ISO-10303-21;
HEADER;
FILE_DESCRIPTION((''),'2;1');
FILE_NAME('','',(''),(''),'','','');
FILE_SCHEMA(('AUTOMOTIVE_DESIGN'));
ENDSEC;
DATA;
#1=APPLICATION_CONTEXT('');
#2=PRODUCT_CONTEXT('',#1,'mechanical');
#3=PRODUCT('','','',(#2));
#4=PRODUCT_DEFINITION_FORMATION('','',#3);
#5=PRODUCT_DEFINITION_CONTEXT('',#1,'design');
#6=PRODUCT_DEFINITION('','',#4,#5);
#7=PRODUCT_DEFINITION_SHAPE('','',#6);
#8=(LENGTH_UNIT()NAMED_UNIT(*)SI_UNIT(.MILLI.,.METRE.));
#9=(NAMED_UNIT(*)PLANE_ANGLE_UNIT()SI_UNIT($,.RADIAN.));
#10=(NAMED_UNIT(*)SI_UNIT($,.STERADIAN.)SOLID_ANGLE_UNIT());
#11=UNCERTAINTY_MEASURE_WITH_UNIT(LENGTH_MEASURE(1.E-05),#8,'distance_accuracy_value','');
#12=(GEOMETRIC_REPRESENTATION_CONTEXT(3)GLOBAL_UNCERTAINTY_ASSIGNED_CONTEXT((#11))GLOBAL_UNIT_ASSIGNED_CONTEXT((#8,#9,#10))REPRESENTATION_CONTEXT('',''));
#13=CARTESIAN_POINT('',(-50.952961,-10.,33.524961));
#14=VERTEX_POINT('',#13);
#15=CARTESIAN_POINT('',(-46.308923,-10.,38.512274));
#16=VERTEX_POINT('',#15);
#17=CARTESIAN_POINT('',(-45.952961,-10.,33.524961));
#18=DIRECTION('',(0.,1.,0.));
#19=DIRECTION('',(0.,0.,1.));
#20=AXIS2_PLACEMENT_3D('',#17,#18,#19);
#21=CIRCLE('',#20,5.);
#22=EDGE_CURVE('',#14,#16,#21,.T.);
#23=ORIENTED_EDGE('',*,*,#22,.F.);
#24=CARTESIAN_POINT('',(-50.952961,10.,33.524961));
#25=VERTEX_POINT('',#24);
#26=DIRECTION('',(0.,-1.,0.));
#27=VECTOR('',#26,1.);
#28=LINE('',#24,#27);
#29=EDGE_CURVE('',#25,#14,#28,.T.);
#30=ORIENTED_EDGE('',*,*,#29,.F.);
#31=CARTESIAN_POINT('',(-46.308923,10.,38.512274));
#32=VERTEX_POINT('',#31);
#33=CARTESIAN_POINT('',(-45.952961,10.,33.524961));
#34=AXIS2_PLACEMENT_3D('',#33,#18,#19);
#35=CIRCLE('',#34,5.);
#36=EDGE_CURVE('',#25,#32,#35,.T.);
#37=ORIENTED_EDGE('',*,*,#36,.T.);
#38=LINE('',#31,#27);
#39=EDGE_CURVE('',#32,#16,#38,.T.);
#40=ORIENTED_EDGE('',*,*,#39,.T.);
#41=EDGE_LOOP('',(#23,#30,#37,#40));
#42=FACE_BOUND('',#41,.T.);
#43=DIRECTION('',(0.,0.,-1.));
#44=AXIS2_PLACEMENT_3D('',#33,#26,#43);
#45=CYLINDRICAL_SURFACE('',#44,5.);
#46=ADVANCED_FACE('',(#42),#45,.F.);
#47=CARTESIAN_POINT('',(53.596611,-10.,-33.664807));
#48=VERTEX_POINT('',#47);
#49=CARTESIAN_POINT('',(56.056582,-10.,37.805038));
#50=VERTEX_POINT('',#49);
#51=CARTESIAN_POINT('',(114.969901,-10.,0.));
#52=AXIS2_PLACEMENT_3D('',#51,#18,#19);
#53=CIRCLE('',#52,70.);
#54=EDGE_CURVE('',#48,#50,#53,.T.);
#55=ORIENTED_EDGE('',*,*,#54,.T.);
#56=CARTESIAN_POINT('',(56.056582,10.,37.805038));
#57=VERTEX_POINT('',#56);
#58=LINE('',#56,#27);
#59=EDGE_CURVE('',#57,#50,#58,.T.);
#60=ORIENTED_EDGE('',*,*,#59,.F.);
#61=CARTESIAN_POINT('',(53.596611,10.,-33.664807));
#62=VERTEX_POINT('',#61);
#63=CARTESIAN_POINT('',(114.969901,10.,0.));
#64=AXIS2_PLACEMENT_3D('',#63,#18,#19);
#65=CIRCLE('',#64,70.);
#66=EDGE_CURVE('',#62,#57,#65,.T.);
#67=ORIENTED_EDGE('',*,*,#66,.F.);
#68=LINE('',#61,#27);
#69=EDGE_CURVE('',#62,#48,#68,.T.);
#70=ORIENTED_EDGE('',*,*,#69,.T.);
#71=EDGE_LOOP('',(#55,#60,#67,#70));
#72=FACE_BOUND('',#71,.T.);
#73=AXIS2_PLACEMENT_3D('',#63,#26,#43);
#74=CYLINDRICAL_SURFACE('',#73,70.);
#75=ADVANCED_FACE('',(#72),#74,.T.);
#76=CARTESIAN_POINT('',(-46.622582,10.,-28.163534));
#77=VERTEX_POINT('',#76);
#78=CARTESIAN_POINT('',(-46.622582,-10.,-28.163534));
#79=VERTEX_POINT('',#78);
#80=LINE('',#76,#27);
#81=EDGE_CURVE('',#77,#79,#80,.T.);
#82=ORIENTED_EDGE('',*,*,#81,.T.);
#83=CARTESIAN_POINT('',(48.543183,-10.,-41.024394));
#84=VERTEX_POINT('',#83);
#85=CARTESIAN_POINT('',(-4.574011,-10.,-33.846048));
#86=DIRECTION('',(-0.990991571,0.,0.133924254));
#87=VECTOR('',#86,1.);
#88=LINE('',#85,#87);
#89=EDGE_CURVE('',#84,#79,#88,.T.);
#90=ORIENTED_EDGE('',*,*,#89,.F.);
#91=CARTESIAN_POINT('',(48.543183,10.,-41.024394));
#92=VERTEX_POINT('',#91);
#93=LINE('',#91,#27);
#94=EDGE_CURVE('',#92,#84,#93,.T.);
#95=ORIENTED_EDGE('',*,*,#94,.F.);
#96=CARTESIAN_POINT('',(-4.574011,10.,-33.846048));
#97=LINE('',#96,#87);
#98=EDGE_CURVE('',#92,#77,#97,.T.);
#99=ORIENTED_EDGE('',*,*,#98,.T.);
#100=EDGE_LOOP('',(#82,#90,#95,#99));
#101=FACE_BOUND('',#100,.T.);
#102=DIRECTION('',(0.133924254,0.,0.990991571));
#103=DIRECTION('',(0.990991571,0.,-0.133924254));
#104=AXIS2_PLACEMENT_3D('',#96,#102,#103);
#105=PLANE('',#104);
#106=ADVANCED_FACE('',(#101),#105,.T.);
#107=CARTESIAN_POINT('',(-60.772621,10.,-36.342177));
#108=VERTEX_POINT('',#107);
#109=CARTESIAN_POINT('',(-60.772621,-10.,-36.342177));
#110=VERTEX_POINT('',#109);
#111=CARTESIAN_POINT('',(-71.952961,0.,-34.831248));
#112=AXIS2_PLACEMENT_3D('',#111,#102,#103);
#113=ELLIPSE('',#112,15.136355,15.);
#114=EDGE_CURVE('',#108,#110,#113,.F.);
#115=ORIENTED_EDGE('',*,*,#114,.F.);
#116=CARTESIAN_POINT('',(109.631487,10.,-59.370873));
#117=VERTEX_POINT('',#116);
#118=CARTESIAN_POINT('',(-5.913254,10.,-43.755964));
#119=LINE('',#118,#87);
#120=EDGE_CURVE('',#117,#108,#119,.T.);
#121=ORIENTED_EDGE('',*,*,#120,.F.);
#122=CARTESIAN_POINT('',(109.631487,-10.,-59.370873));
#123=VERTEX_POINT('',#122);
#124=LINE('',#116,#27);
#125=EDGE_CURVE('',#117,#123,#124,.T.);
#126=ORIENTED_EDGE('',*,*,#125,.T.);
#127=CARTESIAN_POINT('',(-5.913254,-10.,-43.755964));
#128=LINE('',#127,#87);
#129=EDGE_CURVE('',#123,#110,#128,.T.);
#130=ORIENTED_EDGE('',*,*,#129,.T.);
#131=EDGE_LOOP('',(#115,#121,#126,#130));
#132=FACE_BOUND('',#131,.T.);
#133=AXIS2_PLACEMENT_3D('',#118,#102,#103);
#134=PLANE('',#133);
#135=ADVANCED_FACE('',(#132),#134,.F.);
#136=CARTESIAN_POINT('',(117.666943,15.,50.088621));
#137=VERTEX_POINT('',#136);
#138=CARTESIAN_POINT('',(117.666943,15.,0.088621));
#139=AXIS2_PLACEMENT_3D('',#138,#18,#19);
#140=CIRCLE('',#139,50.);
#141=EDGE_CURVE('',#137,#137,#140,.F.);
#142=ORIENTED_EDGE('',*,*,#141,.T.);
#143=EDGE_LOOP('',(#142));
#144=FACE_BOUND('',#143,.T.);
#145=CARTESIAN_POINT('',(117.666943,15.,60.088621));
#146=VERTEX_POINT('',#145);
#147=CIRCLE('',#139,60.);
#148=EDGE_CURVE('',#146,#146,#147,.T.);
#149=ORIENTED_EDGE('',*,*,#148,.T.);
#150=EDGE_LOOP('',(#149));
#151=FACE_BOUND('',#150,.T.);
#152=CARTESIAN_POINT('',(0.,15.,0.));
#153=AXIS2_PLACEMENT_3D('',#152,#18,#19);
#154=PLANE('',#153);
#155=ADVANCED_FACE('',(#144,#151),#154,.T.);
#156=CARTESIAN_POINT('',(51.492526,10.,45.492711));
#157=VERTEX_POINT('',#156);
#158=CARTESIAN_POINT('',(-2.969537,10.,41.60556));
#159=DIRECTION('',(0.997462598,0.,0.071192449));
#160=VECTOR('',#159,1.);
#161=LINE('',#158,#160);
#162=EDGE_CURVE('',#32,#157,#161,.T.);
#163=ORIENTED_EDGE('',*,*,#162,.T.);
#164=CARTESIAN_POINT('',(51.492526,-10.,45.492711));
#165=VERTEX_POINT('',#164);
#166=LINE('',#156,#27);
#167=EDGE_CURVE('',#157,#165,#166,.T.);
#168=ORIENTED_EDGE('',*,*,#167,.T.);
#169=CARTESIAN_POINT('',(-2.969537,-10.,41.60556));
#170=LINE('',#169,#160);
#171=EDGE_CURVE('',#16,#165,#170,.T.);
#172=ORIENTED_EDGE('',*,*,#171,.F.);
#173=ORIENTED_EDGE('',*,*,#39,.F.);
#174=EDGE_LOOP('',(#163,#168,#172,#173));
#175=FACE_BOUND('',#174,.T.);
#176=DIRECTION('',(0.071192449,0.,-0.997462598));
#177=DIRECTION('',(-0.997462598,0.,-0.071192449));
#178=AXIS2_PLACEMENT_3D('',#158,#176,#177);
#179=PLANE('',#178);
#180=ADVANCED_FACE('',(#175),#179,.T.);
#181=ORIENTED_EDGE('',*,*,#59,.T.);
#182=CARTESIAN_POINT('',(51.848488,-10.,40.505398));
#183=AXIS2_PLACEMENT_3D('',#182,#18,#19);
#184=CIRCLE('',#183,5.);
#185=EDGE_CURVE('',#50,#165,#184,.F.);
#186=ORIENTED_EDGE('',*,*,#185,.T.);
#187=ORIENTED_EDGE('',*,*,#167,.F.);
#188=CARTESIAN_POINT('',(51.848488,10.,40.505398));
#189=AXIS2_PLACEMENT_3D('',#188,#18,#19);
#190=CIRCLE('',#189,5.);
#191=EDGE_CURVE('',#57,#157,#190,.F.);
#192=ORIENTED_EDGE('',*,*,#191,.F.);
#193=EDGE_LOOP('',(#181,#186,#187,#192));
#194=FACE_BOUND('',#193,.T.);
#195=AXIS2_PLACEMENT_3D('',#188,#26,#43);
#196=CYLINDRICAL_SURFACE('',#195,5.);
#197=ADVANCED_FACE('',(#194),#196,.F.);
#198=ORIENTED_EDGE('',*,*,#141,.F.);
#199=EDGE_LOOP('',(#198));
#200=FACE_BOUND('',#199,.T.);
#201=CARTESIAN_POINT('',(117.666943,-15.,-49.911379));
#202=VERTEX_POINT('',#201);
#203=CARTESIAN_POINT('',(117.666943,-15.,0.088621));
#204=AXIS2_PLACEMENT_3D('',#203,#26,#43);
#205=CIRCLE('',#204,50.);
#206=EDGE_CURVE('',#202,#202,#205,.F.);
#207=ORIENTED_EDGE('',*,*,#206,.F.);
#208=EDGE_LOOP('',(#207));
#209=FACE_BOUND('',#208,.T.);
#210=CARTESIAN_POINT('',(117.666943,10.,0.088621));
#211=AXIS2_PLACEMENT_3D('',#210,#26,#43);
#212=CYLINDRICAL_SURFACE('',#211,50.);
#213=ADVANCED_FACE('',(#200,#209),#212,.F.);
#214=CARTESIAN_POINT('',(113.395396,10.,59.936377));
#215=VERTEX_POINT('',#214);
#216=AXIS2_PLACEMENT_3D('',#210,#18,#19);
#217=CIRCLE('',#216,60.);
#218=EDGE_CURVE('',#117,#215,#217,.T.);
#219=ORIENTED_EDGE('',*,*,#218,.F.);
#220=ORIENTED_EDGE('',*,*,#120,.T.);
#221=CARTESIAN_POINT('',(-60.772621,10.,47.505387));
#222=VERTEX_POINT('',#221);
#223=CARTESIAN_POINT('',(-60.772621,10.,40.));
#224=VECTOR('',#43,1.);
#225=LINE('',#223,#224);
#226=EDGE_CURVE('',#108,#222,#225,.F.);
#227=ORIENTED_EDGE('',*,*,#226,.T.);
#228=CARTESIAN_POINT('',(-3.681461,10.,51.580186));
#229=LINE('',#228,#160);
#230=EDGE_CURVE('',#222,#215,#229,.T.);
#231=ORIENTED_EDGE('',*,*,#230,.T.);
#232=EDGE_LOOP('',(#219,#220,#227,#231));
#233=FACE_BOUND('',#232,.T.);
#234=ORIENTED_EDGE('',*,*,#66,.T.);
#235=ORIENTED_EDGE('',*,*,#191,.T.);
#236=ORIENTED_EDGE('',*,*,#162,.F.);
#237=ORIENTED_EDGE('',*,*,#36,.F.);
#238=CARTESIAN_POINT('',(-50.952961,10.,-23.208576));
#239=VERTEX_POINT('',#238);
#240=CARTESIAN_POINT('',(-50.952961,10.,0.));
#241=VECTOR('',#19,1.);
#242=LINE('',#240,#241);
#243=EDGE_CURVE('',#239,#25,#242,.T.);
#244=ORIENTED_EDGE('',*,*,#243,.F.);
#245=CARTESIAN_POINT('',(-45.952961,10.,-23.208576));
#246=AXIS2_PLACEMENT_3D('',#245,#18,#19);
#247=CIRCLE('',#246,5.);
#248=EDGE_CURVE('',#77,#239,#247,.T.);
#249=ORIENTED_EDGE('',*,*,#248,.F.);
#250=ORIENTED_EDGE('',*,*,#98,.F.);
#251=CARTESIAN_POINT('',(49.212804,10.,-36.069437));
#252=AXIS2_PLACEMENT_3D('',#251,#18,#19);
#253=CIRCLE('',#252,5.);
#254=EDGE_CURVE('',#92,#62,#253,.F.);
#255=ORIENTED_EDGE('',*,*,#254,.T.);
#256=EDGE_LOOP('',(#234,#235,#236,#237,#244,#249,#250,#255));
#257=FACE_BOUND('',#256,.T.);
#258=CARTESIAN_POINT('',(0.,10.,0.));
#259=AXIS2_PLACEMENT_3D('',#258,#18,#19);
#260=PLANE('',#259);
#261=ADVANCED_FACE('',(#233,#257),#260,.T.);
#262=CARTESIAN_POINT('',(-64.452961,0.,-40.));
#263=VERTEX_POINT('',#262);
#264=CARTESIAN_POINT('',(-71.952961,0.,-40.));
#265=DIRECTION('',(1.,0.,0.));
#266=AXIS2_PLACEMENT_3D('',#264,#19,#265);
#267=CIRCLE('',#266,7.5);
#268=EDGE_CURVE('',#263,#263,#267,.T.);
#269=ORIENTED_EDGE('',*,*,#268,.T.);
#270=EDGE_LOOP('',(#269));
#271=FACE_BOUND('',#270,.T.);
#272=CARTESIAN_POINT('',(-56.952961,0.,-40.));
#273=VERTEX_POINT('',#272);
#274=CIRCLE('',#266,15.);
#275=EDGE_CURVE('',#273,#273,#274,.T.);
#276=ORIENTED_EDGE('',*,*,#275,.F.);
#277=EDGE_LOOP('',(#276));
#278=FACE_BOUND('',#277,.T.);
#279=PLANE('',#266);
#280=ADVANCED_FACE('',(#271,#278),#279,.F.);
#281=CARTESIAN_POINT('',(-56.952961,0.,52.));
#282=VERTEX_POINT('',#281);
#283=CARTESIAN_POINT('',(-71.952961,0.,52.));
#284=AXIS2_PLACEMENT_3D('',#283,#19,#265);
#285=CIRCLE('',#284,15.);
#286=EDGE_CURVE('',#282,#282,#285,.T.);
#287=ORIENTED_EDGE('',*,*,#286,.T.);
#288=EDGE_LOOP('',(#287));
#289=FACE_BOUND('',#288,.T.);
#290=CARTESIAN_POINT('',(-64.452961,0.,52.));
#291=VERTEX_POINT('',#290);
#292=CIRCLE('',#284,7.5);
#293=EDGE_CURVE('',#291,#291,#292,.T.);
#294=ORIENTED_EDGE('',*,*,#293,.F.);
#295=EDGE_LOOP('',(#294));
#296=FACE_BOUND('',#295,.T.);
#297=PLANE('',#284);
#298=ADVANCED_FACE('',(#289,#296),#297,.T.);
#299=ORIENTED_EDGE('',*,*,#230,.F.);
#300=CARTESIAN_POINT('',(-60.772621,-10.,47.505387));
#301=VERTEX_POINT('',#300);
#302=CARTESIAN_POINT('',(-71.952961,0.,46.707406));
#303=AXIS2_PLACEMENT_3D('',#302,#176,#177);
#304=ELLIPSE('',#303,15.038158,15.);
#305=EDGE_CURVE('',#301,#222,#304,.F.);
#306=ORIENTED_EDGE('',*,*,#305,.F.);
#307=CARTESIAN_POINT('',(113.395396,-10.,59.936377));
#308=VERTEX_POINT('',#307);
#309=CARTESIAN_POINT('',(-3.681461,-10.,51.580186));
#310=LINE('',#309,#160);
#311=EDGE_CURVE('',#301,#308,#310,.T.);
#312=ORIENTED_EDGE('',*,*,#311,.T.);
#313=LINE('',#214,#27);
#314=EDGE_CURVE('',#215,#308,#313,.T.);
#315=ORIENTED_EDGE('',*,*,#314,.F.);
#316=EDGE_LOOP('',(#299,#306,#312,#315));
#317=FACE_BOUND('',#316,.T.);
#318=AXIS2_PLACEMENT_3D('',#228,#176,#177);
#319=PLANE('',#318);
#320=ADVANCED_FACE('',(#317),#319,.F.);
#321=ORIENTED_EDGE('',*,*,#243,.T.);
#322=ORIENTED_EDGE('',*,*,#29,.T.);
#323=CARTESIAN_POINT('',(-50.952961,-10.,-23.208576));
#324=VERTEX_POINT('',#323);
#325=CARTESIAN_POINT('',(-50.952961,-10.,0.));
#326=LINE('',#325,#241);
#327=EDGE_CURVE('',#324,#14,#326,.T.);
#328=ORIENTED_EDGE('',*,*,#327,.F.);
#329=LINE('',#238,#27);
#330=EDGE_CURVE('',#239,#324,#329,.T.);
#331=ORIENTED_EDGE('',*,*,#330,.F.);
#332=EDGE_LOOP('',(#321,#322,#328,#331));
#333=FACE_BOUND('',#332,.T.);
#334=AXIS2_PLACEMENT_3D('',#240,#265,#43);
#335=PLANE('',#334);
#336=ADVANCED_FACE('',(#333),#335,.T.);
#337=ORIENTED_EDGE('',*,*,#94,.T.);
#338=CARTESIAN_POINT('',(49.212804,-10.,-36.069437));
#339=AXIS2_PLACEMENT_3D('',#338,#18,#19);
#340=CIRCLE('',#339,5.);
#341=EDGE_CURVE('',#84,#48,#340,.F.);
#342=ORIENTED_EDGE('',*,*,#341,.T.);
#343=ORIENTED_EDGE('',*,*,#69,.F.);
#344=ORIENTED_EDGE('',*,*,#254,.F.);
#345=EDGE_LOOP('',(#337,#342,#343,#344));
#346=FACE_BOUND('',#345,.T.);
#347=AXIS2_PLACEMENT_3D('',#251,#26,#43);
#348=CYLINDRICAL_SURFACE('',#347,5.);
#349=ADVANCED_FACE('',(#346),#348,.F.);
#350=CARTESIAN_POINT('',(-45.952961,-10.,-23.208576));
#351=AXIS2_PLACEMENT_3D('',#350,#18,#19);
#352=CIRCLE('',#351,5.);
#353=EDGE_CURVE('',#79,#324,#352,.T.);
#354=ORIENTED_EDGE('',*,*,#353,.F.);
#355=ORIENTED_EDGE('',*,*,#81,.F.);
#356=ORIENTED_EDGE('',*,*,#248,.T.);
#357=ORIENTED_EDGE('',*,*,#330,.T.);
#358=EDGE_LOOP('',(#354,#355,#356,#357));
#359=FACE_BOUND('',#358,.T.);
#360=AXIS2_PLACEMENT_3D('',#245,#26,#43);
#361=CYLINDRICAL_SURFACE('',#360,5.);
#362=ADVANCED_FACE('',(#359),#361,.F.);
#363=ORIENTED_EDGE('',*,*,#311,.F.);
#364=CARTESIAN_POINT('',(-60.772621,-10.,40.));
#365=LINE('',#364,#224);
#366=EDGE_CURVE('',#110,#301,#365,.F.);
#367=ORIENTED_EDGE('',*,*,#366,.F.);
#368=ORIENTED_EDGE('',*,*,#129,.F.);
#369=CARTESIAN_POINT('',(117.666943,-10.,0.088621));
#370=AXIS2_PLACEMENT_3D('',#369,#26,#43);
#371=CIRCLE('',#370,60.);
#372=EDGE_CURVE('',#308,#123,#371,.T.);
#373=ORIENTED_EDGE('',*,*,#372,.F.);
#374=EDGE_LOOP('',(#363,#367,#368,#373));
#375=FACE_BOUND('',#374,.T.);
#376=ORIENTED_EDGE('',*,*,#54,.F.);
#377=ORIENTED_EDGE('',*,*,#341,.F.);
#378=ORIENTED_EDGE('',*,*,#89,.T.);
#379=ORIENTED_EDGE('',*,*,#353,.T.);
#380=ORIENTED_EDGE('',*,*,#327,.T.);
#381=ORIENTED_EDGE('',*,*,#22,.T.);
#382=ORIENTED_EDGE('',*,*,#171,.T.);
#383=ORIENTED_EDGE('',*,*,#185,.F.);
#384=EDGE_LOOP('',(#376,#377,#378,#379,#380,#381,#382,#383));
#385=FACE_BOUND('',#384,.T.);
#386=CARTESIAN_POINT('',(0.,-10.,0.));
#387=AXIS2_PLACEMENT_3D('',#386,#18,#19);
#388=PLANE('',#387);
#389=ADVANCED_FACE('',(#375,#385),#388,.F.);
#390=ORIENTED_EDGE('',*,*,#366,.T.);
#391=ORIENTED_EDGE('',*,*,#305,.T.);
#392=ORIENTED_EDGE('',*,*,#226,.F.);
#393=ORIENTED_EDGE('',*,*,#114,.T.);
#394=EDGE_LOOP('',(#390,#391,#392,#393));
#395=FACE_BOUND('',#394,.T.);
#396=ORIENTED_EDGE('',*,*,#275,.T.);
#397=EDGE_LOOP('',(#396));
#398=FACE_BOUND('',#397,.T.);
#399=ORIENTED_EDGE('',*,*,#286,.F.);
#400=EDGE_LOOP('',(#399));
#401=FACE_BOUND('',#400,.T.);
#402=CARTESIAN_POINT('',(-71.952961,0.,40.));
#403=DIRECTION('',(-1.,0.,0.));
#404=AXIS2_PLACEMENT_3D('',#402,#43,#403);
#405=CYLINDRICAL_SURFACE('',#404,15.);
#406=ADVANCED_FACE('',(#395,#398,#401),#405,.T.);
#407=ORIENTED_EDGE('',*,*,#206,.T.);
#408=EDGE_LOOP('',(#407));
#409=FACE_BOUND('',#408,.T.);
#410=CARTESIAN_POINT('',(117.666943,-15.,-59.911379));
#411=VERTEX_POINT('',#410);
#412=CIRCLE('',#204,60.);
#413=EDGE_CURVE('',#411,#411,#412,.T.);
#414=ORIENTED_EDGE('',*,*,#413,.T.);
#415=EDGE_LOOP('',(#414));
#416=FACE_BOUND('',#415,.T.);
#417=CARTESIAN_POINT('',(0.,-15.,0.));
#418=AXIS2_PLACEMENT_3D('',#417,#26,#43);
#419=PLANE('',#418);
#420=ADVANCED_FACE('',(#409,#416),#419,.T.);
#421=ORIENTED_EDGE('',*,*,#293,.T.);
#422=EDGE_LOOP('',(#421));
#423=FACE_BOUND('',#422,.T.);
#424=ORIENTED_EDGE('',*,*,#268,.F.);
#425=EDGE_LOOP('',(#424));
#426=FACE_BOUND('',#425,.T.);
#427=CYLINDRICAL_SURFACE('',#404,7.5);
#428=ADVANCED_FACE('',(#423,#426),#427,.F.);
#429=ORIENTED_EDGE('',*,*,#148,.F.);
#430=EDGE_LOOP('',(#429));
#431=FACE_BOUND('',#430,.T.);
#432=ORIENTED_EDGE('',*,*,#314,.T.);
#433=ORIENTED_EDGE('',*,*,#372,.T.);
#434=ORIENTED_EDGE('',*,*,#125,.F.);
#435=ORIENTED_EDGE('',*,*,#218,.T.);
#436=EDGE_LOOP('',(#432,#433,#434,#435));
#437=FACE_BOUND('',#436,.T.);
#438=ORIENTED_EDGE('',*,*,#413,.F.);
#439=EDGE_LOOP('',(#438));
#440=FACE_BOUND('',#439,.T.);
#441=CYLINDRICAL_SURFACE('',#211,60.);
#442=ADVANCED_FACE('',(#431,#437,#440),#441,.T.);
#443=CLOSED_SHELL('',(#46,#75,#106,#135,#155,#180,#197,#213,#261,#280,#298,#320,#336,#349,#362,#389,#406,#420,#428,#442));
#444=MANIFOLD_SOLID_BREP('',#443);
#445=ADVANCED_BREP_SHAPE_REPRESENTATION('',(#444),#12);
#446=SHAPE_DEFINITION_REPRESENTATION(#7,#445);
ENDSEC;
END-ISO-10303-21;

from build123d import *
from build123d.topology import SkipClean

# Parameters (mm, degrees)
SKETCH1_R           = 50
BOSS_EXTRUDE4_DEPTH = 10
SKETCH4_R           = 50
BOSS_EXTRUDE5_DEPTH = 5
BOSS_EXTRUDE6_START = 5
SKETCH5_R           = 50
BOSS_EXTRUDE6_DEPTH = 5
SKETCH9_R           = 15
SKETCH9_R_2         = 7.5
BOSS_EXTRUDE8_DEPTH = 40
CUT_EXTRUDE1_START  = 50
SKETCH11_R          = 15
CUT_EXTRUDE1_DEPTH  = 50
BOSS_EXTRUDE9_START = 12
SKETCH12_R          = 7.5
BOSS_EXTRUDE9_DEPTH = 12


with BuildPart() as part:
    # Sketch1 → Boss-Extrude4 (new, symmetric)
    # profile 1 of 2: a face of its own
    with BuildSketch(Plane(origin=(0, 0, 0), x_dir=(1, 0, 0), z_dir=(0, 1, 0))):
        with BuildLine():
            Line((109.631487436, 59.370873009), (-60.952961118, 36.317806))
            Line((-60.952961118, 36.317806), (-60.952961118, -47.492515538))
            Line((-60.952961118, -47.492515538), (113.395395748, -59.936377162))
            ThreePointArc((113.395395748, -59.936377162), (57.696778774, -1.980561591), (109.631487436, 59.370873009))
        make_face()
        with BuildLine():
            Line((-46.622582391, 28.163534109), (48.543183, 41.024394434))
            ThreePointArc((48.543183, 41.024394434), (53.334657365, 38.899688702), (53.596610708, 33.664807473))
            ThreePointArc((53.596610708, 33.664807473), (45.011329084, -2.407953952), (56.056582269, -37.805038006))
            ThreePointArc((56.056582269, -37.805038006), (56.147884391, -43.057885165), (51.492525841, -45.492710855))
            Line((51.492525841, -45.492710855), (-46.308923365, -38.512273973))
            ThreePointArc((-46.308923365, -38.512273973), (-49.612183114, -36.932319839), (-50.952961118, -33.524960981))
            Line((-50.952961118, -33.524960981), (-50.952961118, 23.208576253))
            ThreePointArc((-50.952961118, 23.208576253), (-49.717805495, 26.498856913), (-46.622582391, 28.163534109))
        make_face(mode=Mode.SUBTRACT)
    # profile 2 of 2: a face of its own
    with BuildSketch(Plane(origin=(0, 0, 0), x_dir=(1, 0, 0), z_dir=(0, 1, 0))):
        with BuildLine():
            ThreePointArc((177.666942704, -0.088621259), (157.15031062, 45.089511261), (109.631487436, 59.370873009))
            ThreePointArc((109.631487436, 59.370873009), (57.696778774, -1.980561591), (113.395395748, -59.936377162))
            ThreePointArc((113.395395748, -59.936377162), (158.555248995, -43.999285211), (177.666942704, -0.088621259))
        make_face()
        with Locations(Location((117.666942704, -0.088621259, 0), (0, 0, 270))):
            Circle(SKETCH1_R, mode=Mode.SUBTRACT)
    extrude(amount=BOSS_EXTRUDE4_DEPTH, both=True)

    # Sketch4 → Boss-Extrude5 (add)
    with BuildSketch(Plane(origin=(0, 10, 0), x_dir=(1, 0, 0), z_dir=(0, 1, 0))):
        with BuildLine():
            ThreePointArc((109.631487436, 59.370873009), (57.696778774, -1.980561591), (113.395395748, -59.936377162))
            ThreePointArc((113.395395748, -59.936377162), (158.555248995, -43.999285211), (177.666942704, -0.088621259))
            ThreePointArc((177.666942704, -0.088621259), (157.15031062, 45.089511261), (109.631487436, 59.370873009))
        make_face()
        with Locations(Location((117.666942704, -0.088621259, 0), (0, 0, 270))):
            Circle(SKETCH4_R, mode=Mode.SUBTRACT)
    extrude(amount=BOSS_EXTRUDE5_DEPTH)

    # Sketch5 → Boss-Extrude6 (add)
    with BuildSketch(Plane.XZ.offset(10).offset(BOSS_EXTRUDE6_START)):
        with BuildLine():
            ThreePointArc((113.395395748, 59.936377162), (57.696778774, 1.980561591), (109.631487436, -59.370873009))
            ThreePointArc((109.631487436, -59.370873009), (157.15031062, -45.089511261), (177.666942704, 0.088621259))
            ThreePointArc((177.666942704, 0.088621259), (158.555248995, 43.999285211), (113.395395748, 59.936377162))
        make_face()
        with Locations(Location((117.666942704, 0.088621259, 0), (0, 0, 270))):
            Circle(SKETCH5_R, mode=Mode.SUBTRACT)
    extrude(amount=-BOSS_EXTRUDE6_DEPTH)

    # Sketch9 → Boss-Extrude8 (add, symmetric)
    with SkipClean():  # the faces are left unmerged after this step: merging them gives an invalid solid
        with BuildSketch(Plane.XY):
            with Locations(Location((-71.952961118, 0, 0), (0, 0, 318.189685104))):
                Circle(SKETCH9_R)
            with Locations((-71.952961118, 0)):
                Circle(SKETCH9_R_2, mode=Mode.SUBTRACT)
        extrude(amount=BOSS_EXTRUDE8_DEPTH, both=True)

    # Sketch11 → Cut-Extrude1 (cut)
    with SkipClean():  # the faces are left unmerged after this step: merging them gives an invalid solid
        with BuildSketch(Plane.XY.offset(40).offset(CUT_EXTRUDE1_START)):
            with Locations(Location((-71.952961118, 0, 0), (0, 0, 318.189685104))):
                Circle(SKETCH11_R)
        extrude(amount=-CUT_EXTRUDE1_DEPTH, mode=Mode.SUBTRACT)

    # Sketch12 → Boss-Extrude9 (add)
    with SkipClean():  # the faces are left unmerged after this step: merging them gives an invalid solid
        with BuildSketch(Plane.XY.offset(40).offset(BOSS_EXTRUDE9_START)):
            with BuildLine():
                ThreePointArc((-60.772621231, 10), (-86.952961118, 0), (-60.772621231, -10))
                ThreePointArc((-60.772621231, -10), (-56.952961118, 0), (-60.772621231, 10))
            make_face()
            with Locations((-71.952961118, 0)):
                Circle(SKETCH12_R, mode=Mode.SUBTRACT)
        extrude(amount=-BOSS_EXTRUDE9_DEPTH)


solid = part.part
